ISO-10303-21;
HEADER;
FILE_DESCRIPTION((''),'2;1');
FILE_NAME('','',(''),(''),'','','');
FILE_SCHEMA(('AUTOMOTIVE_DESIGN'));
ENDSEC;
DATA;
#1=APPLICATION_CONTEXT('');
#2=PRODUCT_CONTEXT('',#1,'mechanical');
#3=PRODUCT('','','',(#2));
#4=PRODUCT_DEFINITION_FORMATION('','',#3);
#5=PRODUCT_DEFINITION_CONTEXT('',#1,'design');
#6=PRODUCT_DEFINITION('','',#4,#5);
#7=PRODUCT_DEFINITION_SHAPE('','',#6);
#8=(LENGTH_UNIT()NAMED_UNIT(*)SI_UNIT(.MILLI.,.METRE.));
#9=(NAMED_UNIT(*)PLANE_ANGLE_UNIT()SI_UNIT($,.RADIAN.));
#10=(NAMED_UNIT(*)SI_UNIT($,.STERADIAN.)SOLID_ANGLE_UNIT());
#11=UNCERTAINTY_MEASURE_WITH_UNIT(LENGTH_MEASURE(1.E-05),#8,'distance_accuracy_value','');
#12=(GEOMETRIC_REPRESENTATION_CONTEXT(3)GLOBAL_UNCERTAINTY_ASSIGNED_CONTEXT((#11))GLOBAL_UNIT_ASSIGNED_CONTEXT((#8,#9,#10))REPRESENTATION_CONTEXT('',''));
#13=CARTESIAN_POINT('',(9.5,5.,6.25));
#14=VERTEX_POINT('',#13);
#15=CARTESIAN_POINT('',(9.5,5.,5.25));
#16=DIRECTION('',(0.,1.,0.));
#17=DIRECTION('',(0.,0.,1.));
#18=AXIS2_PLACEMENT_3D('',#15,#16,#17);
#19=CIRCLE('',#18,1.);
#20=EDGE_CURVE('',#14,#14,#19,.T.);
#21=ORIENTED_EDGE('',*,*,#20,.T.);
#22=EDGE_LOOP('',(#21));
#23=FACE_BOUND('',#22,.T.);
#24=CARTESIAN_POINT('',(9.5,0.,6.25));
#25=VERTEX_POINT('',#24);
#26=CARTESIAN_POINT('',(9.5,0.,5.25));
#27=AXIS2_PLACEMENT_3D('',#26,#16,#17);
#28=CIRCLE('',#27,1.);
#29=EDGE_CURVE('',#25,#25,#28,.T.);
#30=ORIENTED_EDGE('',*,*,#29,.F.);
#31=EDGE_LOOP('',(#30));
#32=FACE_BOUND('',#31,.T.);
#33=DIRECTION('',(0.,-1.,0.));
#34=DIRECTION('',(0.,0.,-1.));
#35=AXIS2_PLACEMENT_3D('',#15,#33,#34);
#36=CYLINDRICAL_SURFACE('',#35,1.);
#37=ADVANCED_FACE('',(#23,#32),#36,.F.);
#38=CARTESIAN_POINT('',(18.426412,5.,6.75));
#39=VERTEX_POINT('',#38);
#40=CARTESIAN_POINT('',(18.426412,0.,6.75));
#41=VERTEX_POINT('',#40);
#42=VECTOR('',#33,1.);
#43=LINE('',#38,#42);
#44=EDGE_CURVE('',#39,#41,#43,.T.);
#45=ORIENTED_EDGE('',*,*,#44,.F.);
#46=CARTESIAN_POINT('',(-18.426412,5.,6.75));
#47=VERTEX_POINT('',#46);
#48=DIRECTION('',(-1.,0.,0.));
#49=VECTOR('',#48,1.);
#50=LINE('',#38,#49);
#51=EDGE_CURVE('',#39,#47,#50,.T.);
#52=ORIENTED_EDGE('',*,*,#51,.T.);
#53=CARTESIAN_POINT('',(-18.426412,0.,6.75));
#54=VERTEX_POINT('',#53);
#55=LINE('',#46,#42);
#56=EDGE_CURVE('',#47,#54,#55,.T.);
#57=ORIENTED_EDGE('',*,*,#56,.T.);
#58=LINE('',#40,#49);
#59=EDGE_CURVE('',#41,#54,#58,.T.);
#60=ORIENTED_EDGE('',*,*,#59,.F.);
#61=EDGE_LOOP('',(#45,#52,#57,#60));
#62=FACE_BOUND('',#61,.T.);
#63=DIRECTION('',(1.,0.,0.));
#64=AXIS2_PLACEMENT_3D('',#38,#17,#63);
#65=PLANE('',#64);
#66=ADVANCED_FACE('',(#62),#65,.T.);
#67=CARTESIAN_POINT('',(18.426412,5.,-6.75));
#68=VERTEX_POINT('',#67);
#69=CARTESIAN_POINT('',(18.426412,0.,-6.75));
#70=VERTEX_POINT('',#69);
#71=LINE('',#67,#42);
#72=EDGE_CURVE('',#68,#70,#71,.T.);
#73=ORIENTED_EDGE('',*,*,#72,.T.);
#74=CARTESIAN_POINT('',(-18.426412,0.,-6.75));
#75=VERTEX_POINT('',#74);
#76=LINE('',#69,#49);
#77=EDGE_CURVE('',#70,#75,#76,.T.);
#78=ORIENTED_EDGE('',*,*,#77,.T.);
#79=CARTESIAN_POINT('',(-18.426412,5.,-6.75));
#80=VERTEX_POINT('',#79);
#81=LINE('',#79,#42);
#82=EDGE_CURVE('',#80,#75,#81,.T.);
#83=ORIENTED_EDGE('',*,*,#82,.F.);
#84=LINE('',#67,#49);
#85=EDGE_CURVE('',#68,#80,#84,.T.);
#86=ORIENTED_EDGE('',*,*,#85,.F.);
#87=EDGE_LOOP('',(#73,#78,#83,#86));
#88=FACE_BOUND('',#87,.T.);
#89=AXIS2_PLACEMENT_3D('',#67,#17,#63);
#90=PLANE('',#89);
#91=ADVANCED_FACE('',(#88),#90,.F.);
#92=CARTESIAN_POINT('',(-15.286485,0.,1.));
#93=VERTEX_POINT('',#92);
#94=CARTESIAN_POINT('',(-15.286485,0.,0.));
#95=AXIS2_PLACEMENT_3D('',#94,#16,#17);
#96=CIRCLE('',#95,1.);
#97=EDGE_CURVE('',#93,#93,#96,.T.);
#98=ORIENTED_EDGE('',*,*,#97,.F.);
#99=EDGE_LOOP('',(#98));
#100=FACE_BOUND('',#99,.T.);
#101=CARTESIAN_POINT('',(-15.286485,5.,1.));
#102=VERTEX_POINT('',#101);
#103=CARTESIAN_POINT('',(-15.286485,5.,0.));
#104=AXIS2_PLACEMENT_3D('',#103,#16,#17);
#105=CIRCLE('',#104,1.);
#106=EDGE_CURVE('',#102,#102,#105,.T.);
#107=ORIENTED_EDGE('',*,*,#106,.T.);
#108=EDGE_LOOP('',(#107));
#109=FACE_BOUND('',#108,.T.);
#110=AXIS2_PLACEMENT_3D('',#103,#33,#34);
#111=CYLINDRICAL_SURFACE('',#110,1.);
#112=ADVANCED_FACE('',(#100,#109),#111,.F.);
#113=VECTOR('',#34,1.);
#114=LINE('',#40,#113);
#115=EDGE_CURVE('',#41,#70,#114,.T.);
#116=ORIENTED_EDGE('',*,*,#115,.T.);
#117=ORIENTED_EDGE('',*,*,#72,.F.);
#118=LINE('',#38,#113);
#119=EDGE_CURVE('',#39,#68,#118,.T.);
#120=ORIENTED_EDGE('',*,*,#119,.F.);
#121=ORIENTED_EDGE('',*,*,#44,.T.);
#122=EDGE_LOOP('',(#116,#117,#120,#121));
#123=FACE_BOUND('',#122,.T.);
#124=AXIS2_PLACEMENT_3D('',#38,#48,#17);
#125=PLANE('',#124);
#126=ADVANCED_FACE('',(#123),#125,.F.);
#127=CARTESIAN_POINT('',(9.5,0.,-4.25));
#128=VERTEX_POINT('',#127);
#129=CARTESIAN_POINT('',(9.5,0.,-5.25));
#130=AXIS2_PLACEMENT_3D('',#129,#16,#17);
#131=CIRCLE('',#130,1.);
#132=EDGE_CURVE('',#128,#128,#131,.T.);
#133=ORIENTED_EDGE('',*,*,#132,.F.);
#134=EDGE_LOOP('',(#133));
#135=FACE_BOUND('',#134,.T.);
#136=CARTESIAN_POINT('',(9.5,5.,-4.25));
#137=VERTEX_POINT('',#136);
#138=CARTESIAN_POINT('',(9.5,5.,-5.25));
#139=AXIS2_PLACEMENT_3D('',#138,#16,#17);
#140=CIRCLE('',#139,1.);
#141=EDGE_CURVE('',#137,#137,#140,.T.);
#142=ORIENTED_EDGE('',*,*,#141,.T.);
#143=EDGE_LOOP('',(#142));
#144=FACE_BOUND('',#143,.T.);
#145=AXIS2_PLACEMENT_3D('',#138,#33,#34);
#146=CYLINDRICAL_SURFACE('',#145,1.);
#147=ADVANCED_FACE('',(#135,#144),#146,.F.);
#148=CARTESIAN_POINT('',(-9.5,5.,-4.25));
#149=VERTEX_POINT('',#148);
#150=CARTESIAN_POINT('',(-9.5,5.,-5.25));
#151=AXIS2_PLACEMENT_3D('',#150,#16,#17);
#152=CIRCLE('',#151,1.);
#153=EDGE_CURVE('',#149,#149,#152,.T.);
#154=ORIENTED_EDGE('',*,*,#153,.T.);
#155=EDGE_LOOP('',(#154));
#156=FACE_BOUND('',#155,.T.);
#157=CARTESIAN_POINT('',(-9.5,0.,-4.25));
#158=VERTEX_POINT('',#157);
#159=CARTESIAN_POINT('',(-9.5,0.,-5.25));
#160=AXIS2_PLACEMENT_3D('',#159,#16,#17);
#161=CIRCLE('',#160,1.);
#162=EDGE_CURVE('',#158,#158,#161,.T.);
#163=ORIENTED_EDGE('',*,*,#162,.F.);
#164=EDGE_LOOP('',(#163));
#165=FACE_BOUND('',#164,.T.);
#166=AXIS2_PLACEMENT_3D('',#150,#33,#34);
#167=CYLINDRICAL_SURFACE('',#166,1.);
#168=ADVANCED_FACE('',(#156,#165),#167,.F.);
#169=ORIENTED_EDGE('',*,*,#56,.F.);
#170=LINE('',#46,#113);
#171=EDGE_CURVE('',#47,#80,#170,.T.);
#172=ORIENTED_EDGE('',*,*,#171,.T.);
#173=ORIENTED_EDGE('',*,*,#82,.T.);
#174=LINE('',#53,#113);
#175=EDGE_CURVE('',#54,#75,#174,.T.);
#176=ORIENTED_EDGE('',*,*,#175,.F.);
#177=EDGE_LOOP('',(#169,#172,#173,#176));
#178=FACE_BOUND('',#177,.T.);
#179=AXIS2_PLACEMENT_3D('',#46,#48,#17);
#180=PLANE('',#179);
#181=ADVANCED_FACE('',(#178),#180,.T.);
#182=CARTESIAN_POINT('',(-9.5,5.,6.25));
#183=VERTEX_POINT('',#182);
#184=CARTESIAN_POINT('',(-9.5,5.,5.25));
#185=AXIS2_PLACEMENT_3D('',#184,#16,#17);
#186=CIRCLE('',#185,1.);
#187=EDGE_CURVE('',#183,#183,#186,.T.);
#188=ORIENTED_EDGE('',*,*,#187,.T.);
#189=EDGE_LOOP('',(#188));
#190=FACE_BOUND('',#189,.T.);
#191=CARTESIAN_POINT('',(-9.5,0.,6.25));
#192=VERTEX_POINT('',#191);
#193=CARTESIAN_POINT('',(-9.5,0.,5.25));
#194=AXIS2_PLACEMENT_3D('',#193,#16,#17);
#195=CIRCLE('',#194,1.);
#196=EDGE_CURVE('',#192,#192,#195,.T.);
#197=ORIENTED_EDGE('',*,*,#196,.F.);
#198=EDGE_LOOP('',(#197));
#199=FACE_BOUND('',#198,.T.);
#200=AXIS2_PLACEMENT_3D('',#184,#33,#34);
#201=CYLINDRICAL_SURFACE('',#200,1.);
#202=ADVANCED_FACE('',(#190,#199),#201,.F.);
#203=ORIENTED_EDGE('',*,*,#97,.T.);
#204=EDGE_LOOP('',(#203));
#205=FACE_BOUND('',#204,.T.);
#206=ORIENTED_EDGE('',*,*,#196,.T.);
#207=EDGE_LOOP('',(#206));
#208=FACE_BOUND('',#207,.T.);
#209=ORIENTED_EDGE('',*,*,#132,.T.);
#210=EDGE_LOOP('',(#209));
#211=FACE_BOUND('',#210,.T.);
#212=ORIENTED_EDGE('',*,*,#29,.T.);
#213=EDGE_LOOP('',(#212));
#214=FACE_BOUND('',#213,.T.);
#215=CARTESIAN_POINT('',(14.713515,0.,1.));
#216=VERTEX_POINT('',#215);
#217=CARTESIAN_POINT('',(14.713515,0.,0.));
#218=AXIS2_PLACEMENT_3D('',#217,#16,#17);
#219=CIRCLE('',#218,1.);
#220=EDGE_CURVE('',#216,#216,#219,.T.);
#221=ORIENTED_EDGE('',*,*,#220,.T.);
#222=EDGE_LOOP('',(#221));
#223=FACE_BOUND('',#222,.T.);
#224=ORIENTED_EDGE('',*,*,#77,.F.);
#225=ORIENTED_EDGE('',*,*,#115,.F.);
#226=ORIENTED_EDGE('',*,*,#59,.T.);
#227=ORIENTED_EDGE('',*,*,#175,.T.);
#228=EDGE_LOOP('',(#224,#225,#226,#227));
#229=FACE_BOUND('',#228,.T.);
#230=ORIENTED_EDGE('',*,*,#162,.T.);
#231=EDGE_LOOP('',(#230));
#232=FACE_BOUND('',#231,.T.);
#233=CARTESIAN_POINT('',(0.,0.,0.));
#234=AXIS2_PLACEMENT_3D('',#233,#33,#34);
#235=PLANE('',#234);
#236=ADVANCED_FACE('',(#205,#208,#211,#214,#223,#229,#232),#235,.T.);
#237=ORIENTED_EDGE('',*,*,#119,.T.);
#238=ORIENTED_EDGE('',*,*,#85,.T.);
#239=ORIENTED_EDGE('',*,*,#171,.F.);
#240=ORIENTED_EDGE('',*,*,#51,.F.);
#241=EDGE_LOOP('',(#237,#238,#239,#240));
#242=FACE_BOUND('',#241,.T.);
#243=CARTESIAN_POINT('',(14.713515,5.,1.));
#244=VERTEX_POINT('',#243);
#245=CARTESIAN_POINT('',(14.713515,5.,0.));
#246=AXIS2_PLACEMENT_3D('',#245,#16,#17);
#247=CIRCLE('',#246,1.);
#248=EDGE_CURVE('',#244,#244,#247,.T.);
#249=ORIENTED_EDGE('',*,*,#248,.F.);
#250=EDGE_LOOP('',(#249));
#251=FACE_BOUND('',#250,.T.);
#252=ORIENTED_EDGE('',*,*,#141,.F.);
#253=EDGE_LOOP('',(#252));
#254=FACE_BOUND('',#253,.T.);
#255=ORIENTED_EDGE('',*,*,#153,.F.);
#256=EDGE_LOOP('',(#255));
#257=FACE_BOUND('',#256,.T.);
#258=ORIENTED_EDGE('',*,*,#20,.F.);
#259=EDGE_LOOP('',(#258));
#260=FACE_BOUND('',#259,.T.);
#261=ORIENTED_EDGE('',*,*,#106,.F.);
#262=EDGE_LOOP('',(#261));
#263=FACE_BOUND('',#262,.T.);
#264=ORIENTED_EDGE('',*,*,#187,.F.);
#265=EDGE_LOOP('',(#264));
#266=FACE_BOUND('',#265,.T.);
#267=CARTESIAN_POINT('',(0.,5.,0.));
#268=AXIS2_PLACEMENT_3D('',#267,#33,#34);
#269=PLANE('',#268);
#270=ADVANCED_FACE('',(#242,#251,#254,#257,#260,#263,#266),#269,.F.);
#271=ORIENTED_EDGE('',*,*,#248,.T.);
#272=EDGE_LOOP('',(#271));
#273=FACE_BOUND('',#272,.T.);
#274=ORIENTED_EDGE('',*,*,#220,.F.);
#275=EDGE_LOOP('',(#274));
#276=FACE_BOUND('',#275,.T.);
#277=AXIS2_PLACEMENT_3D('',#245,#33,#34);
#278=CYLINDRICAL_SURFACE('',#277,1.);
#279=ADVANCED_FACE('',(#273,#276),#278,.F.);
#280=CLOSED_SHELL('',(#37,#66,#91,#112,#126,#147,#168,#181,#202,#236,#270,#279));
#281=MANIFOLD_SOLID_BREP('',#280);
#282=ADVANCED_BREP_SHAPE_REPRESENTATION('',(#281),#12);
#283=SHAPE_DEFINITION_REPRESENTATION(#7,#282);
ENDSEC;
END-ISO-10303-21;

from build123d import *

# Parameters (mm, degrees)
SKETCH1_W           = 36.852824564
SKETCH1_H           = 13.5
SKETCH1_R           = 1
BOSS_EXTRUDE1_DEPTH = 5


with BuildPart() as part:
    # Sketch1 → Boss-Extrude1 (new body)
    with BuildSketch(Plane(origin=(0, 0, 0), x_dir=(1, 0, 0), z_dir=(0, 1, 0))):
        Rectangle(SKETCH1_W, SKETCH1_H)
        with Locations((-15.28648496, 0)):
            Circle(SKETCH1_R, mode=Mode.SUBTRACT)
        with Locations((14.71351504, 0)):
            Circle(SKETCH1_R, mode=Mode.SUBTRACT)
        with Locations((-9.5, 5.25)):
            Circle(SKETCH1_R, mode=Mode.SUBTRACT)
        with Locations((9.5, 5.25)):
            Circle(SKETCH1_R, mode=Mode.SUBTRACT)
        with Locations((9.5, -5.25)):
            Circle(SKETCH1_R, mode=Mode.SUBTRACT)
        with Locations((-9.5, -5.25)):
            Circle(SKETCH1_R, mode=Mode.SUBTRACT)
    extrude(amount=BOSS_EXTRUDE1_DEPTH)


solid = part.part
